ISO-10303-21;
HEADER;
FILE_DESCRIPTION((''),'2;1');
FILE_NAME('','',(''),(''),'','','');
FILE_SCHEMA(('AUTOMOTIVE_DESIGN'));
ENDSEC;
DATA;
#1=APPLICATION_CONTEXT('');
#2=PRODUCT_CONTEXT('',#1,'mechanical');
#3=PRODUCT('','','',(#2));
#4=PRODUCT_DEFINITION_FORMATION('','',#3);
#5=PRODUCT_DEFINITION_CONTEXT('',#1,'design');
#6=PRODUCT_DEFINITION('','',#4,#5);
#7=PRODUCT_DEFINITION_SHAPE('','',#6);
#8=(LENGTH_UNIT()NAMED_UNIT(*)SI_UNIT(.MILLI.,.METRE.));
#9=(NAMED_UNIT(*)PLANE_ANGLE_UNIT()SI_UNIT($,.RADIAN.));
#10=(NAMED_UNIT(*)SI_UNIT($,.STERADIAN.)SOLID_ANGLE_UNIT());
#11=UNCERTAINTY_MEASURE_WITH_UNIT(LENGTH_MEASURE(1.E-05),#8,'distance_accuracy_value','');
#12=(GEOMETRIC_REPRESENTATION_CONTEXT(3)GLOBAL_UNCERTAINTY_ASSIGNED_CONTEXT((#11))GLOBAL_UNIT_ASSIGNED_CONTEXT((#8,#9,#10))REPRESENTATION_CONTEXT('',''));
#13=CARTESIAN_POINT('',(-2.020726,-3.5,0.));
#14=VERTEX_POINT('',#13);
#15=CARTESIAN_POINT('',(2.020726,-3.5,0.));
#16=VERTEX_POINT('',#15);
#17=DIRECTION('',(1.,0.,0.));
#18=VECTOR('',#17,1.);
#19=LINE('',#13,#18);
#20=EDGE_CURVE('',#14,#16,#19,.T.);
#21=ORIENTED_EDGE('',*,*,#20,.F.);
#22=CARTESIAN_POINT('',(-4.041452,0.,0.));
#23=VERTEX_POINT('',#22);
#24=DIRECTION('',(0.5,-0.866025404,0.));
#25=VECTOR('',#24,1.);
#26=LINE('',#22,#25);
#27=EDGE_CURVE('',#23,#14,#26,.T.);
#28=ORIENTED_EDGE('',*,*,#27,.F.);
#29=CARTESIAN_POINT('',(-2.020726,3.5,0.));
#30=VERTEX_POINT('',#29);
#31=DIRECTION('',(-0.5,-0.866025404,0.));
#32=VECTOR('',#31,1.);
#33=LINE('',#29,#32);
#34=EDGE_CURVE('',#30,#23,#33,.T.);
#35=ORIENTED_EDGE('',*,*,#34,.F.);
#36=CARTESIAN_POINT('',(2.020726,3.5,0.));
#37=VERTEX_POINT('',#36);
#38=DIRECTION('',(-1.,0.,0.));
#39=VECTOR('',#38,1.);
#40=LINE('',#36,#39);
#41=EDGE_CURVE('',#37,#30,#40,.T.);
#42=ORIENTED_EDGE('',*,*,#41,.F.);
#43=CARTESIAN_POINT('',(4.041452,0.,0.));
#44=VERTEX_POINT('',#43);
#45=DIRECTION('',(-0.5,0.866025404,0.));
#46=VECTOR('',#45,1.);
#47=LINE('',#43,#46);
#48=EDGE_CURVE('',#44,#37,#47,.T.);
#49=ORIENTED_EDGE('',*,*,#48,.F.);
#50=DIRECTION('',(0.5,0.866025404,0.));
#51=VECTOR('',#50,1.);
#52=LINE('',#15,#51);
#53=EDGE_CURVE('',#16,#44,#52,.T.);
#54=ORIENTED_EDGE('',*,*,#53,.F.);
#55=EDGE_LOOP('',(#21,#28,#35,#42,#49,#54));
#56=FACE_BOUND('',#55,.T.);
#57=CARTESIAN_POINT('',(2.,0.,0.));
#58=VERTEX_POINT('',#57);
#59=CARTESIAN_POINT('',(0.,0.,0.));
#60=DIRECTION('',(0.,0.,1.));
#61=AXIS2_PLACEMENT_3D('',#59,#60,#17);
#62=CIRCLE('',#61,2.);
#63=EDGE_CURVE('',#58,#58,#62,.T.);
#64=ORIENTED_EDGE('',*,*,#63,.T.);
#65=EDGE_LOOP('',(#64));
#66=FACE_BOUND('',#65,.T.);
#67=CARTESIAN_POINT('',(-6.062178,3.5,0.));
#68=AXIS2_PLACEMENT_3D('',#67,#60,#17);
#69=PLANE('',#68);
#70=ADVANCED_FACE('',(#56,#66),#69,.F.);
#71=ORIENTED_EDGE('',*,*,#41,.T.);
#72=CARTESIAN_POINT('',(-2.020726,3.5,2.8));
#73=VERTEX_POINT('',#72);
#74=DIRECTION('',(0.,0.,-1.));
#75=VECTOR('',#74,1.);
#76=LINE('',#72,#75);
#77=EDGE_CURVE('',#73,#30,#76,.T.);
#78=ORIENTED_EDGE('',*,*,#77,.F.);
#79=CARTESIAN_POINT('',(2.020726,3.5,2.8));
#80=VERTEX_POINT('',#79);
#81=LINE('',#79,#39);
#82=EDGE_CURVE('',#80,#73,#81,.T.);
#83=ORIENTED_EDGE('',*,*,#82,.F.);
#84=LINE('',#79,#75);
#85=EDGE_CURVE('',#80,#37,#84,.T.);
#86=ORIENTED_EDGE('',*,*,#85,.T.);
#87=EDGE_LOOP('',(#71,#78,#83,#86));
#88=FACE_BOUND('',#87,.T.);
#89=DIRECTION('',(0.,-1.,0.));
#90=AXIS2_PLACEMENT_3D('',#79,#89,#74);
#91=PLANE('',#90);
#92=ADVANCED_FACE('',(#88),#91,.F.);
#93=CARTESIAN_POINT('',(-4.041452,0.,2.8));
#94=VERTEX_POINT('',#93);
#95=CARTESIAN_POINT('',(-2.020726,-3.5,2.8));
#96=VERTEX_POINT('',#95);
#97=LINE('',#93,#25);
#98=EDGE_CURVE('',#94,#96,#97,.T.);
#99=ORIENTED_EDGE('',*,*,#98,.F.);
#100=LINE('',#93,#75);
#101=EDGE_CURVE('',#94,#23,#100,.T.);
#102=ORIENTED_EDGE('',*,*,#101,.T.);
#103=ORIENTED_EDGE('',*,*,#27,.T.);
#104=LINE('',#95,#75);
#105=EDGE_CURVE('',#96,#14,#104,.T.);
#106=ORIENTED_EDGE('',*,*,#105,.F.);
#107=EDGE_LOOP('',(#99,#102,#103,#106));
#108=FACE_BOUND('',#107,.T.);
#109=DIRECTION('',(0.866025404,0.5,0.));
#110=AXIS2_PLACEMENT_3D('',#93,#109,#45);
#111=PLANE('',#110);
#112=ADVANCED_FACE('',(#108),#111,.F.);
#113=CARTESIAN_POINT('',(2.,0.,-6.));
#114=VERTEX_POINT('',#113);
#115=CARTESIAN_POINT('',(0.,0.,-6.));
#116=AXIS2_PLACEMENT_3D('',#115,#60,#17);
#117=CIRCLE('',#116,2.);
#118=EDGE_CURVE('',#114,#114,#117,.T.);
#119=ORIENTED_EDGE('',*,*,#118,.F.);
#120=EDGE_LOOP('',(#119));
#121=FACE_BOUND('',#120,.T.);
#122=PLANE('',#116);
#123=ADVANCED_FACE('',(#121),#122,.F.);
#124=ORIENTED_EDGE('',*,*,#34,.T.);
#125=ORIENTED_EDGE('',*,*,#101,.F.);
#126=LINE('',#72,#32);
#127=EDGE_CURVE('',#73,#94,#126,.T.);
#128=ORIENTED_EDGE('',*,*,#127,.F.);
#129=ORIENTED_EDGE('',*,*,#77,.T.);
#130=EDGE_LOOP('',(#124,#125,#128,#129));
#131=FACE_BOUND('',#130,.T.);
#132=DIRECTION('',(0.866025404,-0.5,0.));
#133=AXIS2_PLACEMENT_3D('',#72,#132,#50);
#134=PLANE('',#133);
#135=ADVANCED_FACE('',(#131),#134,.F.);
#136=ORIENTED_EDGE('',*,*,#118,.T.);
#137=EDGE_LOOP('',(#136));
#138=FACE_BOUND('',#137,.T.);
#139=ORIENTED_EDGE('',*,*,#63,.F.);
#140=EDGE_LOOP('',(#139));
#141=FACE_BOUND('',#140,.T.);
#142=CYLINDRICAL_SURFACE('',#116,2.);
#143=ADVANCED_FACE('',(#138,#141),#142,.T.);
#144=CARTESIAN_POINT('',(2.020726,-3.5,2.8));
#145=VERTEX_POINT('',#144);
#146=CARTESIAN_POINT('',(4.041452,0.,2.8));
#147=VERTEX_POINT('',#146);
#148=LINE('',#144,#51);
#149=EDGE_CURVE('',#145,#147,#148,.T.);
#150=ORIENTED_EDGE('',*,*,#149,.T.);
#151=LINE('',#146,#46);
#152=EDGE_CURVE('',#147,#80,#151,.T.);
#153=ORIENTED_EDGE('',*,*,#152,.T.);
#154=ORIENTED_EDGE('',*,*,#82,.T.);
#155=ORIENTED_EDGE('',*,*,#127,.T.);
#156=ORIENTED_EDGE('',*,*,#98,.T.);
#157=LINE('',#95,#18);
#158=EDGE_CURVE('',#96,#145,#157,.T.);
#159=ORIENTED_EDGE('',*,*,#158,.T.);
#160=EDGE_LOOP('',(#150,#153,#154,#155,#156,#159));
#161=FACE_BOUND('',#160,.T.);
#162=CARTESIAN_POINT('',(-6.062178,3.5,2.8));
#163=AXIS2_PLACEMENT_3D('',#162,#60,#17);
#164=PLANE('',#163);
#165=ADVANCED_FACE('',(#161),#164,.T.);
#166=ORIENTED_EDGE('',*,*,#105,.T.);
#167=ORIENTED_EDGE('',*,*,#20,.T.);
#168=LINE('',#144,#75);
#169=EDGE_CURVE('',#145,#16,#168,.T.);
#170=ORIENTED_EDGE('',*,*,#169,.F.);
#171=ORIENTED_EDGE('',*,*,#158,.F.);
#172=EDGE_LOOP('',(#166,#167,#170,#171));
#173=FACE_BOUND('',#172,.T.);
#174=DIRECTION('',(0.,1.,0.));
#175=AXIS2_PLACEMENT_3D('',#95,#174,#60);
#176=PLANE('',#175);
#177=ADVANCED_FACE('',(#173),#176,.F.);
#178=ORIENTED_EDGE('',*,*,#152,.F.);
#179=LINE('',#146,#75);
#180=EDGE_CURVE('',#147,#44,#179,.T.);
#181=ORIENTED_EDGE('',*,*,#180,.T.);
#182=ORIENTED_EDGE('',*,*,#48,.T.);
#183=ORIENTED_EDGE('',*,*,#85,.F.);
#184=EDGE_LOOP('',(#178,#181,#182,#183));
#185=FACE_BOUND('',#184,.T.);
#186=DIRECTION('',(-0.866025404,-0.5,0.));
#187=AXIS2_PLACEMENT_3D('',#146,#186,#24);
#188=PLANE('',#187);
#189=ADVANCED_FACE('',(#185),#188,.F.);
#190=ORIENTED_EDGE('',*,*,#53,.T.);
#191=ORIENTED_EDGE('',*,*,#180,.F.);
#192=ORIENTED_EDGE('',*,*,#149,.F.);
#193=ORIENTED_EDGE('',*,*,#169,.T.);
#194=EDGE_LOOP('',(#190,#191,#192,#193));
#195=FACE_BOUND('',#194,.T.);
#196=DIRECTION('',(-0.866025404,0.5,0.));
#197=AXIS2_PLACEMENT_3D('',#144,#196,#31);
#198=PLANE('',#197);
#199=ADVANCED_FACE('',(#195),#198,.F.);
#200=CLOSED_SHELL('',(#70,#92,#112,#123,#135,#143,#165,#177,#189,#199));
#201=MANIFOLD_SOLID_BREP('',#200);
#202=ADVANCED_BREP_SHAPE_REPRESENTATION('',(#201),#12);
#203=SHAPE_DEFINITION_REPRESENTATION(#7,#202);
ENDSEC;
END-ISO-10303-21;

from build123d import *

# Parameters (mm, degrees)
SKETCH1_R      = 2
EXTRUDE1_DEPTH = 6
EXTRUDE2_DEPTH = 2.8


with BuildPart() as part:
    # Sketch1 → Extrude1 (new body)
    with BuildSketch(Plane.XY):
        Circle(SKETCH1_R)
    extrude(amount=-EXTRUDE1_DEPTH)

    # Sketch2 → Extrude2 (add)
    with BuildSketch(Plane.XY):
        Polygon((-2.020725942, 3.5), (-4.041451884, 0), (-2.020725942, -3.5), (2.020725942, -3.5), (4.041451884, 0), (2.020725942, 3.5), align=None)
    extrude(amount=EXTRUDE2_DEPTH)


solid = part.part
